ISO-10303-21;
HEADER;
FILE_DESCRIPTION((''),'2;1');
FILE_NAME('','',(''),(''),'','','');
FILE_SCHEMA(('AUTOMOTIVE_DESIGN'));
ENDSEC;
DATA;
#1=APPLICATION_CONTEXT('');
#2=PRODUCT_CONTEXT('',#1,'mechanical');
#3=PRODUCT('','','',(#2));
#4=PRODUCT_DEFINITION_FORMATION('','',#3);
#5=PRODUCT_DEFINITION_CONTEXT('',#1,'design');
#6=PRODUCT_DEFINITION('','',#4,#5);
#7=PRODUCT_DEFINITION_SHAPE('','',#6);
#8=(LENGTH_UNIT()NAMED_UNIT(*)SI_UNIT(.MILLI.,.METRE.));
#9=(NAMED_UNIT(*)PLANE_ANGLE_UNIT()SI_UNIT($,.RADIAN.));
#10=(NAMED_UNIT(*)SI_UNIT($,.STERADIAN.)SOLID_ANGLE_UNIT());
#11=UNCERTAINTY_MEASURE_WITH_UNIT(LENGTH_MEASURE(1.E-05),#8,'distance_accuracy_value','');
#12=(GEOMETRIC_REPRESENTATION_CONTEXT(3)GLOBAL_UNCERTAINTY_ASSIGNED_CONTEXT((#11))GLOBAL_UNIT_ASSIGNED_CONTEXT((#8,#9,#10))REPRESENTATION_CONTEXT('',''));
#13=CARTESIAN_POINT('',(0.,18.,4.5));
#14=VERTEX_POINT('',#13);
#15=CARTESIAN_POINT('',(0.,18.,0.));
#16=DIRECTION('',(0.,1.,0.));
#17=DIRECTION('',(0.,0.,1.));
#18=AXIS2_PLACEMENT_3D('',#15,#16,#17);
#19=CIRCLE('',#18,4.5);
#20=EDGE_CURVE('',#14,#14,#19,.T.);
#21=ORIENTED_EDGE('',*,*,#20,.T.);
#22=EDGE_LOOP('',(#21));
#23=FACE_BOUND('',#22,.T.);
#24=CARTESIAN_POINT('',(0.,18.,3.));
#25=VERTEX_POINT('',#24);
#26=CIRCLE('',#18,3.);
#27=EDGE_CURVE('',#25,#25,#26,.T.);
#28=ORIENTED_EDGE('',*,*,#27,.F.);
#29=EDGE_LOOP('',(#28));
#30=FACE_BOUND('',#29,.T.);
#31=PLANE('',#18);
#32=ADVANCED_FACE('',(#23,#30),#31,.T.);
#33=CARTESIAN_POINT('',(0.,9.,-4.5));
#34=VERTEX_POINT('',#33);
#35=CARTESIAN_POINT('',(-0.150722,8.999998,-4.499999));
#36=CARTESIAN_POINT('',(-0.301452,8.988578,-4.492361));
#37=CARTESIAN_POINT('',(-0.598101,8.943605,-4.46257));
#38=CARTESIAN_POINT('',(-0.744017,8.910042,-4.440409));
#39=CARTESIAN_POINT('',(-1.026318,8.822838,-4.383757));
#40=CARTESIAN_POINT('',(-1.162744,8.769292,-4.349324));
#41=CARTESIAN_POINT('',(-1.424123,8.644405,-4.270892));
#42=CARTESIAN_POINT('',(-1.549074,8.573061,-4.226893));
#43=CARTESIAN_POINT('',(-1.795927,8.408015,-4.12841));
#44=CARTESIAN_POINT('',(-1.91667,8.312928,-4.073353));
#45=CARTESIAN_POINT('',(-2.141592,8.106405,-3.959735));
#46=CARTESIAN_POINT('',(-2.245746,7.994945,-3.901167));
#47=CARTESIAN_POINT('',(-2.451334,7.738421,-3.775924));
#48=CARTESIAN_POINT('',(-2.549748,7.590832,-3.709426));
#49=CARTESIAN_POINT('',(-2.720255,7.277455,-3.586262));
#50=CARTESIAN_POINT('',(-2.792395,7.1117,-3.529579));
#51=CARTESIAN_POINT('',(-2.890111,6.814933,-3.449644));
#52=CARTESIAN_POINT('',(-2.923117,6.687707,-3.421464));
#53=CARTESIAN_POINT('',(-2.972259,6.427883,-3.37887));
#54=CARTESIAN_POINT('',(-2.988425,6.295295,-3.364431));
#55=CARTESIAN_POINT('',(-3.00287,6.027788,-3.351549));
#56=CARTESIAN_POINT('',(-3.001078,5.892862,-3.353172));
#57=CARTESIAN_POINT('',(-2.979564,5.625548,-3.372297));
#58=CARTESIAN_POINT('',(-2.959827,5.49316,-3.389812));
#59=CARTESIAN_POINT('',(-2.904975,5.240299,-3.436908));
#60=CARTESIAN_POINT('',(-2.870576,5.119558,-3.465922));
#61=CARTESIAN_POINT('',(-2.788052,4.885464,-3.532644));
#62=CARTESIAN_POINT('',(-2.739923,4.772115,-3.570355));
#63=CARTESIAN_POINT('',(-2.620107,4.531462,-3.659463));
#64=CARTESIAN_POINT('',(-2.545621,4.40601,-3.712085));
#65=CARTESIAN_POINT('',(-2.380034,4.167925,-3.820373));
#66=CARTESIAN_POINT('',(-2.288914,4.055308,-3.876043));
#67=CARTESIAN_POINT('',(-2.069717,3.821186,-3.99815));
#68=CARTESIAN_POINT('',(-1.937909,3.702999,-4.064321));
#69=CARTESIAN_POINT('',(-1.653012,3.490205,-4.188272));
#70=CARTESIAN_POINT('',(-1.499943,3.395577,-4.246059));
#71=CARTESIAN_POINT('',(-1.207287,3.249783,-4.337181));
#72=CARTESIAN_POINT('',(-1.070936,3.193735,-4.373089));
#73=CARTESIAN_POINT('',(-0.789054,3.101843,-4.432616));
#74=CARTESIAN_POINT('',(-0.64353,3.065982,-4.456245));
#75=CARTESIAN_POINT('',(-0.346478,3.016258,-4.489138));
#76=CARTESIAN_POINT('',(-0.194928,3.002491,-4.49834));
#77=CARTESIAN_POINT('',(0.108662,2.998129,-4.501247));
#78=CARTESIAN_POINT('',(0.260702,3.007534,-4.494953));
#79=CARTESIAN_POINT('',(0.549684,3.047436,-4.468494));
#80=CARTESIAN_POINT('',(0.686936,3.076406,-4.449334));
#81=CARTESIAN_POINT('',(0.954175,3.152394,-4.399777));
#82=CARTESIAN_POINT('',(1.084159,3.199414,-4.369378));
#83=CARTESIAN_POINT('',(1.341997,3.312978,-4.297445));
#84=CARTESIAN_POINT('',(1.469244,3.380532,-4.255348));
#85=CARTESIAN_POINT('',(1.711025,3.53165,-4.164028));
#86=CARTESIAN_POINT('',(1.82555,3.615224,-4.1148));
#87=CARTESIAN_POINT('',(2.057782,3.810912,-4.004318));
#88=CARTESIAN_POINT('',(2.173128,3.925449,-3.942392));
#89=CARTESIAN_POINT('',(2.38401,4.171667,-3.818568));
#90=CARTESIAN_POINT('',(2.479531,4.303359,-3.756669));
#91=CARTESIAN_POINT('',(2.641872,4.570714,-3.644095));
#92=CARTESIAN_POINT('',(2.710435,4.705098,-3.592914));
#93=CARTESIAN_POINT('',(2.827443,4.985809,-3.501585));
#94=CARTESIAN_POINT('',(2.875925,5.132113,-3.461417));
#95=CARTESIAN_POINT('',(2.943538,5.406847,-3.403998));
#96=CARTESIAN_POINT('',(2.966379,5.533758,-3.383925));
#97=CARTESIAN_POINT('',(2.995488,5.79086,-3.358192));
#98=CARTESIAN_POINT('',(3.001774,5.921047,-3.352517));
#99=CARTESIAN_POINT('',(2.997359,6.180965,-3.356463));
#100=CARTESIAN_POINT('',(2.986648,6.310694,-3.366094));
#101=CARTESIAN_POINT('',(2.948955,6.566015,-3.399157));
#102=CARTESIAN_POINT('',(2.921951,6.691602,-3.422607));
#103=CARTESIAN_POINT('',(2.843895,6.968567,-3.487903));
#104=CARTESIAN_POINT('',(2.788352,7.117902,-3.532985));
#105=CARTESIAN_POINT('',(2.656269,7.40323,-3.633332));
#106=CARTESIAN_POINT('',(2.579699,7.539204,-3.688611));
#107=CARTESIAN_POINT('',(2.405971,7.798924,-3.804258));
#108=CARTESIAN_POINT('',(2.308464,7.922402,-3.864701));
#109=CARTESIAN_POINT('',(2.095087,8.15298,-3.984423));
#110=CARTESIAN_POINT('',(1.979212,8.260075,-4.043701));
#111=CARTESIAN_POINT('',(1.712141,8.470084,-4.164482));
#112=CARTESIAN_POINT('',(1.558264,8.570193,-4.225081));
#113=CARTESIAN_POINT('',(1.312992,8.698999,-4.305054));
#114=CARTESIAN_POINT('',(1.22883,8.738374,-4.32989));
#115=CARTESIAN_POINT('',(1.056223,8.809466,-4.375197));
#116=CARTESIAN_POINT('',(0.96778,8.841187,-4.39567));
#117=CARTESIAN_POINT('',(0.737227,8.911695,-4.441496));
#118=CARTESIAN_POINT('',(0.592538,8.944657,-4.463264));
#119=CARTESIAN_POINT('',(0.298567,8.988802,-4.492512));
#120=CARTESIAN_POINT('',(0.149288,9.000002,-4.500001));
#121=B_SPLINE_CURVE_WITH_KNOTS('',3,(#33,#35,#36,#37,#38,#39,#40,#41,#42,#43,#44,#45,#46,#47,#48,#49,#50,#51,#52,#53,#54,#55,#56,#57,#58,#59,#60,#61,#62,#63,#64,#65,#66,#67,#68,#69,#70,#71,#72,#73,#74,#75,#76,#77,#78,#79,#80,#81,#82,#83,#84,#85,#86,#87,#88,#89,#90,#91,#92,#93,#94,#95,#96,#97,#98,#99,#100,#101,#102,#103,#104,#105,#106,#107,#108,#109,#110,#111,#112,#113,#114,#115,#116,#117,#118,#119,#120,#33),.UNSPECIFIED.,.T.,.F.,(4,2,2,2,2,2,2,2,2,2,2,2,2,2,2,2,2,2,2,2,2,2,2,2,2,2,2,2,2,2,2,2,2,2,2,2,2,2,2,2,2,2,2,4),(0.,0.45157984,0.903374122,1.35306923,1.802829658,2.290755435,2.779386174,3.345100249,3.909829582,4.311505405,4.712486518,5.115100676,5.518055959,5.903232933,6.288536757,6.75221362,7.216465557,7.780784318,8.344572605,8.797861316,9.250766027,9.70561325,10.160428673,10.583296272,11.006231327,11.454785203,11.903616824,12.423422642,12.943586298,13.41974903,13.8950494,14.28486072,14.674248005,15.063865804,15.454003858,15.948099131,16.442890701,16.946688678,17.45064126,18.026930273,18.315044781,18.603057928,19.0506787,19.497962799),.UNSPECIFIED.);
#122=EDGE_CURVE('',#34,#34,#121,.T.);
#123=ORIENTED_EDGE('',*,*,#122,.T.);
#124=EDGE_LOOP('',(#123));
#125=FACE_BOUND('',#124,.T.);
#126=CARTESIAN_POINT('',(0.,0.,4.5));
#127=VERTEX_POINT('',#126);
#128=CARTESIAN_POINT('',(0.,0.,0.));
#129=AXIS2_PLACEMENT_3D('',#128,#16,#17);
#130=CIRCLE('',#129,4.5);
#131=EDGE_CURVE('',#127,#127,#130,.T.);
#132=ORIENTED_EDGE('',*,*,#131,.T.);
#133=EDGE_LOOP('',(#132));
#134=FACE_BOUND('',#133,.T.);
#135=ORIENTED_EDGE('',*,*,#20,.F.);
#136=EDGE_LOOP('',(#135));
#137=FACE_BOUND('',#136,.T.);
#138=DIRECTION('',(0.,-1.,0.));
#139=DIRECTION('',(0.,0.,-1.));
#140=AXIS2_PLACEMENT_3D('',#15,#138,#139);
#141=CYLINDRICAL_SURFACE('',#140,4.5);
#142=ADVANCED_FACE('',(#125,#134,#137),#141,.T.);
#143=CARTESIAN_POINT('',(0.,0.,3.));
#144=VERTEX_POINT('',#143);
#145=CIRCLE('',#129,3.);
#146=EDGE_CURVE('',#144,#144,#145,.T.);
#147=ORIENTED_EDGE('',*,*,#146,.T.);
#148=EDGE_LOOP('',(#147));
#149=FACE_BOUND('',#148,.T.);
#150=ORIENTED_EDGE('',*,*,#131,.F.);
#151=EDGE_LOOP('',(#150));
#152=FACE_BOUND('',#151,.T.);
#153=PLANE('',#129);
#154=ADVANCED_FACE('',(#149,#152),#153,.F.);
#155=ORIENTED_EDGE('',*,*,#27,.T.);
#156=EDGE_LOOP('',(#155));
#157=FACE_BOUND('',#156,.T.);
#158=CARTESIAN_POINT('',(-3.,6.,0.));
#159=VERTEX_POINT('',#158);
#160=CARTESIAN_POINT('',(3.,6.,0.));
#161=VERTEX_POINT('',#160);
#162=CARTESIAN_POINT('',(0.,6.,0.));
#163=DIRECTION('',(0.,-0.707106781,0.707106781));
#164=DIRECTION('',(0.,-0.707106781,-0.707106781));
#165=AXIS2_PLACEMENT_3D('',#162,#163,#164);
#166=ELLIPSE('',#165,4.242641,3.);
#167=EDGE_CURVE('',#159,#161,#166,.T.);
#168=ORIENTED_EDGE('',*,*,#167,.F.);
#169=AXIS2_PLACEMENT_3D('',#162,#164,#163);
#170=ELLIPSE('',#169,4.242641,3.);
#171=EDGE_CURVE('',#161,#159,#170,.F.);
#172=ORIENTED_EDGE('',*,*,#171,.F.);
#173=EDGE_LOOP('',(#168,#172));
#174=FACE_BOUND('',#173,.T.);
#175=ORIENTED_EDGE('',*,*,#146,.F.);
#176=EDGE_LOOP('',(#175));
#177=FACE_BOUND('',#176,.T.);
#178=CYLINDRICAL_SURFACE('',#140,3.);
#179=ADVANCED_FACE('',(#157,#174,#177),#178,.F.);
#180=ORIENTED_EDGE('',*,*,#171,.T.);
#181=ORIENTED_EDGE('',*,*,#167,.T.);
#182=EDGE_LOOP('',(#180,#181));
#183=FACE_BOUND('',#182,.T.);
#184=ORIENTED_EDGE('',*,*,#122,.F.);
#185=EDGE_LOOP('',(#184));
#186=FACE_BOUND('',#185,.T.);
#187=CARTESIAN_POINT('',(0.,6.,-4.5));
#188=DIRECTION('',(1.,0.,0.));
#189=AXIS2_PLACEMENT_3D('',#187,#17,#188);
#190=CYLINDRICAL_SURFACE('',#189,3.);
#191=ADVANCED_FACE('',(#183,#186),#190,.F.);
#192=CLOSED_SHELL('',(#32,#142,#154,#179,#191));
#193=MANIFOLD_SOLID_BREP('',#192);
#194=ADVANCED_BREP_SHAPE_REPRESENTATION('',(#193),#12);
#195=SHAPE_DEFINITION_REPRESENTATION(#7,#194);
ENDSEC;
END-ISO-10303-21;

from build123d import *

# Parameters (mm, degrees)
SKETCH_1_R          = 4.5
SKETCH_1_R_2        = 3
EXTRUDE_1_DEPTH     = 18
SKETCH_2_R          = 3
CUT_EXTRUDE_1_DEPTH = 20.091883092


with BuildPart() as part:
    # 草图1 → 凸台-拉伸1 (new body)
    with BuildSketch(Plane(origin=(0, 0, 0), x_dir=(1, 0, 0), z_dir=(0, 1, 0))):
        with Locations(Location((0, 0, 0), (0, 0, 270))):
            Circle(SKETCH_1_R)
        with Locations(Location((0, 0, 0), (0, 0, 270))):
            Circle(SKETCH_1_R_2, mode=Mode.SUBTRACT)
    extrude(amount=EXTRUDE_1_DEPTH)

    # 草图2 → 切除-拉伸1 (cut, through all)
    with BuildSketch(Plane.XY):
        with Locations((0, 6)):
            Circle(SKETCH_2_R)
    extrude(amount=-CUT_EXTRUDE_1_DEPTH, mode=Mode.SUBTRACT)


solid = part.part
